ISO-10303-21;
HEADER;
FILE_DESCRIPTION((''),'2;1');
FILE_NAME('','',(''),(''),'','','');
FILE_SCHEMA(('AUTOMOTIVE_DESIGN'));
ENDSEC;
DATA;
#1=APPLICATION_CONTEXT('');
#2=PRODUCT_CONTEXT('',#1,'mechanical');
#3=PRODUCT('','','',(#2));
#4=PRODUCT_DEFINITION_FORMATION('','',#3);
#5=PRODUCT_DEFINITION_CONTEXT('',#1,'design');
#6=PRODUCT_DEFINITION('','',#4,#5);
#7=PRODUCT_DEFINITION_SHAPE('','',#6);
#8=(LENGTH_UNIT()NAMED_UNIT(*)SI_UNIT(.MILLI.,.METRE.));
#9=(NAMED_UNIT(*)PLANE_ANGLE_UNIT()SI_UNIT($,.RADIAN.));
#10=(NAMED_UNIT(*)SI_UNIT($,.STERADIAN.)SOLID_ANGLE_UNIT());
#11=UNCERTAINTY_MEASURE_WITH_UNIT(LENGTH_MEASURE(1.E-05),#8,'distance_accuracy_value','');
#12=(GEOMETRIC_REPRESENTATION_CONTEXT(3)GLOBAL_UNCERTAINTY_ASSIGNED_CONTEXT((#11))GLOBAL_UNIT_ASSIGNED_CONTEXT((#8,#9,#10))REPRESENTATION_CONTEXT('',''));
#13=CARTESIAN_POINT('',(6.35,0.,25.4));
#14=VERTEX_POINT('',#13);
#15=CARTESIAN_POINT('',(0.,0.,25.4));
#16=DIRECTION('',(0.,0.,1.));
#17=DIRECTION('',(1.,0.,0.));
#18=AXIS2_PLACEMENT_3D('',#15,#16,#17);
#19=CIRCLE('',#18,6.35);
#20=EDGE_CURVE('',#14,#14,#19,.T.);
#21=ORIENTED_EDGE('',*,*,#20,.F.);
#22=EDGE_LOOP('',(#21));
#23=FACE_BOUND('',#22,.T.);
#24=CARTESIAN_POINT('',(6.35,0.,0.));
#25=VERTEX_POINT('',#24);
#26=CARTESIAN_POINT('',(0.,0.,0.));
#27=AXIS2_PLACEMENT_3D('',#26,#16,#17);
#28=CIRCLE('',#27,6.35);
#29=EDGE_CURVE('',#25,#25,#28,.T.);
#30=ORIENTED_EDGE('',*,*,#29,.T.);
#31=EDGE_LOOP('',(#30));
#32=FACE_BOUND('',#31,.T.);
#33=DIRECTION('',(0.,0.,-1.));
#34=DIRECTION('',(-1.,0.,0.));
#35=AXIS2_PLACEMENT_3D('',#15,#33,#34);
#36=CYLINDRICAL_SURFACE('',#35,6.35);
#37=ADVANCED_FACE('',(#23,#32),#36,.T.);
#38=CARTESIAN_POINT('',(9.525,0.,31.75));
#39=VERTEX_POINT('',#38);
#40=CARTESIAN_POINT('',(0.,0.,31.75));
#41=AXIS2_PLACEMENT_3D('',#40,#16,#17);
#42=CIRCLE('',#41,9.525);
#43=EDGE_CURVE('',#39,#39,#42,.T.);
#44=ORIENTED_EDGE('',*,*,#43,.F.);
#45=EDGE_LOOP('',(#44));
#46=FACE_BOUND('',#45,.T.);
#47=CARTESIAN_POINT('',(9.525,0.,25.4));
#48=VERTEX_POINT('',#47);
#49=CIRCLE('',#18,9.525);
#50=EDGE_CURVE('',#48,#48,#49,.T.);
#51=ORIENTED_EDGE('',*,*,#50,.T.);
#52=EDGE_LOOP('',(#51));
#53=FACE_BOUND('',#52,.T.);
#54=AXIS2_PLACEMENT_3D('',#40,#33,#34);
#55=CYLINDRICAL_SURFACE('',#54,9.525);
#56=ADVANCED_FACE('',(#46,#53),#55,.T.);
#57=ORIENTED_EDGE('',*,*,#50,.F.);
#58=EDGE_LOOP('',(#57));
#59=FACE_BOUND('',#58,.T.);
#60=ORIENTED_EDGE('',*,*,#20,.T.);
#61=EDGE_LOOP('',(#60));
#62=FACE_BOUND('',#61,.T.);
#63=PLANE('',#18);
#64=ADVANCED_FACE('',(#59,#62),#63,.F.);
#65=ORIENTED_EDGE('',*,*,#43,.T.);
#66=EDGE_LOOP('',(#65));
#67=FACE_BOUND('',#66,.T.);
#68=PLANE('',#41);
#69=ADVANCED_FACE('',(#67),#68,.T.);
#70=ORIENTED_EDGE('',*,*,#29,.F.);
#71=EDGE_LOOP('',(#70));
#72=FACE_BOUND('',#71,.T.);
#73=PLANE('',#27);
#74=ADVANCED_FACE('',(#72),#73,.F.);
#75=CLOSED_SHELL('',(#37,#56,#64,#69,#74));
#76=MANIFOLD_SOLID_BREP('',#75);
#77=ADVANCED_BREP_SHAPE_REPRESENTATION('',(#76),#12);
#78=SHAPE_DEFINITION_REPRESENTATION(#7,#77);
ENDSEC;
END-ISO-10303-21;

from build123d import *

# Parameters (mm, degrees)
CROQUIS1_R              = 6.35
SALIENTE_EXTRUIR1_DEPTH = 25.4
CROQUIS2_R              = 9.525
SALIENTE_EXTRUIR2_DEPTH = 6.35


with BuildPart() as part:
    # Croquis1 → Saliente-Extruir1 (new body)
    with BuildSketch(Plane.XY):
        Circle(CROQUIS1_R)
    extrude(amount=SALIENTE_EXTRUIR1_DEPTH)

    # Croquis2 → Saliente-Extruir2 (add)
    with BuildSketch(Plane.XY.offset(25.4)):
        Circle(CROQUIS2_R)
    extrude(amount=SALIENTE_EXTRUIR2_DEPTH)


solid = part.part
